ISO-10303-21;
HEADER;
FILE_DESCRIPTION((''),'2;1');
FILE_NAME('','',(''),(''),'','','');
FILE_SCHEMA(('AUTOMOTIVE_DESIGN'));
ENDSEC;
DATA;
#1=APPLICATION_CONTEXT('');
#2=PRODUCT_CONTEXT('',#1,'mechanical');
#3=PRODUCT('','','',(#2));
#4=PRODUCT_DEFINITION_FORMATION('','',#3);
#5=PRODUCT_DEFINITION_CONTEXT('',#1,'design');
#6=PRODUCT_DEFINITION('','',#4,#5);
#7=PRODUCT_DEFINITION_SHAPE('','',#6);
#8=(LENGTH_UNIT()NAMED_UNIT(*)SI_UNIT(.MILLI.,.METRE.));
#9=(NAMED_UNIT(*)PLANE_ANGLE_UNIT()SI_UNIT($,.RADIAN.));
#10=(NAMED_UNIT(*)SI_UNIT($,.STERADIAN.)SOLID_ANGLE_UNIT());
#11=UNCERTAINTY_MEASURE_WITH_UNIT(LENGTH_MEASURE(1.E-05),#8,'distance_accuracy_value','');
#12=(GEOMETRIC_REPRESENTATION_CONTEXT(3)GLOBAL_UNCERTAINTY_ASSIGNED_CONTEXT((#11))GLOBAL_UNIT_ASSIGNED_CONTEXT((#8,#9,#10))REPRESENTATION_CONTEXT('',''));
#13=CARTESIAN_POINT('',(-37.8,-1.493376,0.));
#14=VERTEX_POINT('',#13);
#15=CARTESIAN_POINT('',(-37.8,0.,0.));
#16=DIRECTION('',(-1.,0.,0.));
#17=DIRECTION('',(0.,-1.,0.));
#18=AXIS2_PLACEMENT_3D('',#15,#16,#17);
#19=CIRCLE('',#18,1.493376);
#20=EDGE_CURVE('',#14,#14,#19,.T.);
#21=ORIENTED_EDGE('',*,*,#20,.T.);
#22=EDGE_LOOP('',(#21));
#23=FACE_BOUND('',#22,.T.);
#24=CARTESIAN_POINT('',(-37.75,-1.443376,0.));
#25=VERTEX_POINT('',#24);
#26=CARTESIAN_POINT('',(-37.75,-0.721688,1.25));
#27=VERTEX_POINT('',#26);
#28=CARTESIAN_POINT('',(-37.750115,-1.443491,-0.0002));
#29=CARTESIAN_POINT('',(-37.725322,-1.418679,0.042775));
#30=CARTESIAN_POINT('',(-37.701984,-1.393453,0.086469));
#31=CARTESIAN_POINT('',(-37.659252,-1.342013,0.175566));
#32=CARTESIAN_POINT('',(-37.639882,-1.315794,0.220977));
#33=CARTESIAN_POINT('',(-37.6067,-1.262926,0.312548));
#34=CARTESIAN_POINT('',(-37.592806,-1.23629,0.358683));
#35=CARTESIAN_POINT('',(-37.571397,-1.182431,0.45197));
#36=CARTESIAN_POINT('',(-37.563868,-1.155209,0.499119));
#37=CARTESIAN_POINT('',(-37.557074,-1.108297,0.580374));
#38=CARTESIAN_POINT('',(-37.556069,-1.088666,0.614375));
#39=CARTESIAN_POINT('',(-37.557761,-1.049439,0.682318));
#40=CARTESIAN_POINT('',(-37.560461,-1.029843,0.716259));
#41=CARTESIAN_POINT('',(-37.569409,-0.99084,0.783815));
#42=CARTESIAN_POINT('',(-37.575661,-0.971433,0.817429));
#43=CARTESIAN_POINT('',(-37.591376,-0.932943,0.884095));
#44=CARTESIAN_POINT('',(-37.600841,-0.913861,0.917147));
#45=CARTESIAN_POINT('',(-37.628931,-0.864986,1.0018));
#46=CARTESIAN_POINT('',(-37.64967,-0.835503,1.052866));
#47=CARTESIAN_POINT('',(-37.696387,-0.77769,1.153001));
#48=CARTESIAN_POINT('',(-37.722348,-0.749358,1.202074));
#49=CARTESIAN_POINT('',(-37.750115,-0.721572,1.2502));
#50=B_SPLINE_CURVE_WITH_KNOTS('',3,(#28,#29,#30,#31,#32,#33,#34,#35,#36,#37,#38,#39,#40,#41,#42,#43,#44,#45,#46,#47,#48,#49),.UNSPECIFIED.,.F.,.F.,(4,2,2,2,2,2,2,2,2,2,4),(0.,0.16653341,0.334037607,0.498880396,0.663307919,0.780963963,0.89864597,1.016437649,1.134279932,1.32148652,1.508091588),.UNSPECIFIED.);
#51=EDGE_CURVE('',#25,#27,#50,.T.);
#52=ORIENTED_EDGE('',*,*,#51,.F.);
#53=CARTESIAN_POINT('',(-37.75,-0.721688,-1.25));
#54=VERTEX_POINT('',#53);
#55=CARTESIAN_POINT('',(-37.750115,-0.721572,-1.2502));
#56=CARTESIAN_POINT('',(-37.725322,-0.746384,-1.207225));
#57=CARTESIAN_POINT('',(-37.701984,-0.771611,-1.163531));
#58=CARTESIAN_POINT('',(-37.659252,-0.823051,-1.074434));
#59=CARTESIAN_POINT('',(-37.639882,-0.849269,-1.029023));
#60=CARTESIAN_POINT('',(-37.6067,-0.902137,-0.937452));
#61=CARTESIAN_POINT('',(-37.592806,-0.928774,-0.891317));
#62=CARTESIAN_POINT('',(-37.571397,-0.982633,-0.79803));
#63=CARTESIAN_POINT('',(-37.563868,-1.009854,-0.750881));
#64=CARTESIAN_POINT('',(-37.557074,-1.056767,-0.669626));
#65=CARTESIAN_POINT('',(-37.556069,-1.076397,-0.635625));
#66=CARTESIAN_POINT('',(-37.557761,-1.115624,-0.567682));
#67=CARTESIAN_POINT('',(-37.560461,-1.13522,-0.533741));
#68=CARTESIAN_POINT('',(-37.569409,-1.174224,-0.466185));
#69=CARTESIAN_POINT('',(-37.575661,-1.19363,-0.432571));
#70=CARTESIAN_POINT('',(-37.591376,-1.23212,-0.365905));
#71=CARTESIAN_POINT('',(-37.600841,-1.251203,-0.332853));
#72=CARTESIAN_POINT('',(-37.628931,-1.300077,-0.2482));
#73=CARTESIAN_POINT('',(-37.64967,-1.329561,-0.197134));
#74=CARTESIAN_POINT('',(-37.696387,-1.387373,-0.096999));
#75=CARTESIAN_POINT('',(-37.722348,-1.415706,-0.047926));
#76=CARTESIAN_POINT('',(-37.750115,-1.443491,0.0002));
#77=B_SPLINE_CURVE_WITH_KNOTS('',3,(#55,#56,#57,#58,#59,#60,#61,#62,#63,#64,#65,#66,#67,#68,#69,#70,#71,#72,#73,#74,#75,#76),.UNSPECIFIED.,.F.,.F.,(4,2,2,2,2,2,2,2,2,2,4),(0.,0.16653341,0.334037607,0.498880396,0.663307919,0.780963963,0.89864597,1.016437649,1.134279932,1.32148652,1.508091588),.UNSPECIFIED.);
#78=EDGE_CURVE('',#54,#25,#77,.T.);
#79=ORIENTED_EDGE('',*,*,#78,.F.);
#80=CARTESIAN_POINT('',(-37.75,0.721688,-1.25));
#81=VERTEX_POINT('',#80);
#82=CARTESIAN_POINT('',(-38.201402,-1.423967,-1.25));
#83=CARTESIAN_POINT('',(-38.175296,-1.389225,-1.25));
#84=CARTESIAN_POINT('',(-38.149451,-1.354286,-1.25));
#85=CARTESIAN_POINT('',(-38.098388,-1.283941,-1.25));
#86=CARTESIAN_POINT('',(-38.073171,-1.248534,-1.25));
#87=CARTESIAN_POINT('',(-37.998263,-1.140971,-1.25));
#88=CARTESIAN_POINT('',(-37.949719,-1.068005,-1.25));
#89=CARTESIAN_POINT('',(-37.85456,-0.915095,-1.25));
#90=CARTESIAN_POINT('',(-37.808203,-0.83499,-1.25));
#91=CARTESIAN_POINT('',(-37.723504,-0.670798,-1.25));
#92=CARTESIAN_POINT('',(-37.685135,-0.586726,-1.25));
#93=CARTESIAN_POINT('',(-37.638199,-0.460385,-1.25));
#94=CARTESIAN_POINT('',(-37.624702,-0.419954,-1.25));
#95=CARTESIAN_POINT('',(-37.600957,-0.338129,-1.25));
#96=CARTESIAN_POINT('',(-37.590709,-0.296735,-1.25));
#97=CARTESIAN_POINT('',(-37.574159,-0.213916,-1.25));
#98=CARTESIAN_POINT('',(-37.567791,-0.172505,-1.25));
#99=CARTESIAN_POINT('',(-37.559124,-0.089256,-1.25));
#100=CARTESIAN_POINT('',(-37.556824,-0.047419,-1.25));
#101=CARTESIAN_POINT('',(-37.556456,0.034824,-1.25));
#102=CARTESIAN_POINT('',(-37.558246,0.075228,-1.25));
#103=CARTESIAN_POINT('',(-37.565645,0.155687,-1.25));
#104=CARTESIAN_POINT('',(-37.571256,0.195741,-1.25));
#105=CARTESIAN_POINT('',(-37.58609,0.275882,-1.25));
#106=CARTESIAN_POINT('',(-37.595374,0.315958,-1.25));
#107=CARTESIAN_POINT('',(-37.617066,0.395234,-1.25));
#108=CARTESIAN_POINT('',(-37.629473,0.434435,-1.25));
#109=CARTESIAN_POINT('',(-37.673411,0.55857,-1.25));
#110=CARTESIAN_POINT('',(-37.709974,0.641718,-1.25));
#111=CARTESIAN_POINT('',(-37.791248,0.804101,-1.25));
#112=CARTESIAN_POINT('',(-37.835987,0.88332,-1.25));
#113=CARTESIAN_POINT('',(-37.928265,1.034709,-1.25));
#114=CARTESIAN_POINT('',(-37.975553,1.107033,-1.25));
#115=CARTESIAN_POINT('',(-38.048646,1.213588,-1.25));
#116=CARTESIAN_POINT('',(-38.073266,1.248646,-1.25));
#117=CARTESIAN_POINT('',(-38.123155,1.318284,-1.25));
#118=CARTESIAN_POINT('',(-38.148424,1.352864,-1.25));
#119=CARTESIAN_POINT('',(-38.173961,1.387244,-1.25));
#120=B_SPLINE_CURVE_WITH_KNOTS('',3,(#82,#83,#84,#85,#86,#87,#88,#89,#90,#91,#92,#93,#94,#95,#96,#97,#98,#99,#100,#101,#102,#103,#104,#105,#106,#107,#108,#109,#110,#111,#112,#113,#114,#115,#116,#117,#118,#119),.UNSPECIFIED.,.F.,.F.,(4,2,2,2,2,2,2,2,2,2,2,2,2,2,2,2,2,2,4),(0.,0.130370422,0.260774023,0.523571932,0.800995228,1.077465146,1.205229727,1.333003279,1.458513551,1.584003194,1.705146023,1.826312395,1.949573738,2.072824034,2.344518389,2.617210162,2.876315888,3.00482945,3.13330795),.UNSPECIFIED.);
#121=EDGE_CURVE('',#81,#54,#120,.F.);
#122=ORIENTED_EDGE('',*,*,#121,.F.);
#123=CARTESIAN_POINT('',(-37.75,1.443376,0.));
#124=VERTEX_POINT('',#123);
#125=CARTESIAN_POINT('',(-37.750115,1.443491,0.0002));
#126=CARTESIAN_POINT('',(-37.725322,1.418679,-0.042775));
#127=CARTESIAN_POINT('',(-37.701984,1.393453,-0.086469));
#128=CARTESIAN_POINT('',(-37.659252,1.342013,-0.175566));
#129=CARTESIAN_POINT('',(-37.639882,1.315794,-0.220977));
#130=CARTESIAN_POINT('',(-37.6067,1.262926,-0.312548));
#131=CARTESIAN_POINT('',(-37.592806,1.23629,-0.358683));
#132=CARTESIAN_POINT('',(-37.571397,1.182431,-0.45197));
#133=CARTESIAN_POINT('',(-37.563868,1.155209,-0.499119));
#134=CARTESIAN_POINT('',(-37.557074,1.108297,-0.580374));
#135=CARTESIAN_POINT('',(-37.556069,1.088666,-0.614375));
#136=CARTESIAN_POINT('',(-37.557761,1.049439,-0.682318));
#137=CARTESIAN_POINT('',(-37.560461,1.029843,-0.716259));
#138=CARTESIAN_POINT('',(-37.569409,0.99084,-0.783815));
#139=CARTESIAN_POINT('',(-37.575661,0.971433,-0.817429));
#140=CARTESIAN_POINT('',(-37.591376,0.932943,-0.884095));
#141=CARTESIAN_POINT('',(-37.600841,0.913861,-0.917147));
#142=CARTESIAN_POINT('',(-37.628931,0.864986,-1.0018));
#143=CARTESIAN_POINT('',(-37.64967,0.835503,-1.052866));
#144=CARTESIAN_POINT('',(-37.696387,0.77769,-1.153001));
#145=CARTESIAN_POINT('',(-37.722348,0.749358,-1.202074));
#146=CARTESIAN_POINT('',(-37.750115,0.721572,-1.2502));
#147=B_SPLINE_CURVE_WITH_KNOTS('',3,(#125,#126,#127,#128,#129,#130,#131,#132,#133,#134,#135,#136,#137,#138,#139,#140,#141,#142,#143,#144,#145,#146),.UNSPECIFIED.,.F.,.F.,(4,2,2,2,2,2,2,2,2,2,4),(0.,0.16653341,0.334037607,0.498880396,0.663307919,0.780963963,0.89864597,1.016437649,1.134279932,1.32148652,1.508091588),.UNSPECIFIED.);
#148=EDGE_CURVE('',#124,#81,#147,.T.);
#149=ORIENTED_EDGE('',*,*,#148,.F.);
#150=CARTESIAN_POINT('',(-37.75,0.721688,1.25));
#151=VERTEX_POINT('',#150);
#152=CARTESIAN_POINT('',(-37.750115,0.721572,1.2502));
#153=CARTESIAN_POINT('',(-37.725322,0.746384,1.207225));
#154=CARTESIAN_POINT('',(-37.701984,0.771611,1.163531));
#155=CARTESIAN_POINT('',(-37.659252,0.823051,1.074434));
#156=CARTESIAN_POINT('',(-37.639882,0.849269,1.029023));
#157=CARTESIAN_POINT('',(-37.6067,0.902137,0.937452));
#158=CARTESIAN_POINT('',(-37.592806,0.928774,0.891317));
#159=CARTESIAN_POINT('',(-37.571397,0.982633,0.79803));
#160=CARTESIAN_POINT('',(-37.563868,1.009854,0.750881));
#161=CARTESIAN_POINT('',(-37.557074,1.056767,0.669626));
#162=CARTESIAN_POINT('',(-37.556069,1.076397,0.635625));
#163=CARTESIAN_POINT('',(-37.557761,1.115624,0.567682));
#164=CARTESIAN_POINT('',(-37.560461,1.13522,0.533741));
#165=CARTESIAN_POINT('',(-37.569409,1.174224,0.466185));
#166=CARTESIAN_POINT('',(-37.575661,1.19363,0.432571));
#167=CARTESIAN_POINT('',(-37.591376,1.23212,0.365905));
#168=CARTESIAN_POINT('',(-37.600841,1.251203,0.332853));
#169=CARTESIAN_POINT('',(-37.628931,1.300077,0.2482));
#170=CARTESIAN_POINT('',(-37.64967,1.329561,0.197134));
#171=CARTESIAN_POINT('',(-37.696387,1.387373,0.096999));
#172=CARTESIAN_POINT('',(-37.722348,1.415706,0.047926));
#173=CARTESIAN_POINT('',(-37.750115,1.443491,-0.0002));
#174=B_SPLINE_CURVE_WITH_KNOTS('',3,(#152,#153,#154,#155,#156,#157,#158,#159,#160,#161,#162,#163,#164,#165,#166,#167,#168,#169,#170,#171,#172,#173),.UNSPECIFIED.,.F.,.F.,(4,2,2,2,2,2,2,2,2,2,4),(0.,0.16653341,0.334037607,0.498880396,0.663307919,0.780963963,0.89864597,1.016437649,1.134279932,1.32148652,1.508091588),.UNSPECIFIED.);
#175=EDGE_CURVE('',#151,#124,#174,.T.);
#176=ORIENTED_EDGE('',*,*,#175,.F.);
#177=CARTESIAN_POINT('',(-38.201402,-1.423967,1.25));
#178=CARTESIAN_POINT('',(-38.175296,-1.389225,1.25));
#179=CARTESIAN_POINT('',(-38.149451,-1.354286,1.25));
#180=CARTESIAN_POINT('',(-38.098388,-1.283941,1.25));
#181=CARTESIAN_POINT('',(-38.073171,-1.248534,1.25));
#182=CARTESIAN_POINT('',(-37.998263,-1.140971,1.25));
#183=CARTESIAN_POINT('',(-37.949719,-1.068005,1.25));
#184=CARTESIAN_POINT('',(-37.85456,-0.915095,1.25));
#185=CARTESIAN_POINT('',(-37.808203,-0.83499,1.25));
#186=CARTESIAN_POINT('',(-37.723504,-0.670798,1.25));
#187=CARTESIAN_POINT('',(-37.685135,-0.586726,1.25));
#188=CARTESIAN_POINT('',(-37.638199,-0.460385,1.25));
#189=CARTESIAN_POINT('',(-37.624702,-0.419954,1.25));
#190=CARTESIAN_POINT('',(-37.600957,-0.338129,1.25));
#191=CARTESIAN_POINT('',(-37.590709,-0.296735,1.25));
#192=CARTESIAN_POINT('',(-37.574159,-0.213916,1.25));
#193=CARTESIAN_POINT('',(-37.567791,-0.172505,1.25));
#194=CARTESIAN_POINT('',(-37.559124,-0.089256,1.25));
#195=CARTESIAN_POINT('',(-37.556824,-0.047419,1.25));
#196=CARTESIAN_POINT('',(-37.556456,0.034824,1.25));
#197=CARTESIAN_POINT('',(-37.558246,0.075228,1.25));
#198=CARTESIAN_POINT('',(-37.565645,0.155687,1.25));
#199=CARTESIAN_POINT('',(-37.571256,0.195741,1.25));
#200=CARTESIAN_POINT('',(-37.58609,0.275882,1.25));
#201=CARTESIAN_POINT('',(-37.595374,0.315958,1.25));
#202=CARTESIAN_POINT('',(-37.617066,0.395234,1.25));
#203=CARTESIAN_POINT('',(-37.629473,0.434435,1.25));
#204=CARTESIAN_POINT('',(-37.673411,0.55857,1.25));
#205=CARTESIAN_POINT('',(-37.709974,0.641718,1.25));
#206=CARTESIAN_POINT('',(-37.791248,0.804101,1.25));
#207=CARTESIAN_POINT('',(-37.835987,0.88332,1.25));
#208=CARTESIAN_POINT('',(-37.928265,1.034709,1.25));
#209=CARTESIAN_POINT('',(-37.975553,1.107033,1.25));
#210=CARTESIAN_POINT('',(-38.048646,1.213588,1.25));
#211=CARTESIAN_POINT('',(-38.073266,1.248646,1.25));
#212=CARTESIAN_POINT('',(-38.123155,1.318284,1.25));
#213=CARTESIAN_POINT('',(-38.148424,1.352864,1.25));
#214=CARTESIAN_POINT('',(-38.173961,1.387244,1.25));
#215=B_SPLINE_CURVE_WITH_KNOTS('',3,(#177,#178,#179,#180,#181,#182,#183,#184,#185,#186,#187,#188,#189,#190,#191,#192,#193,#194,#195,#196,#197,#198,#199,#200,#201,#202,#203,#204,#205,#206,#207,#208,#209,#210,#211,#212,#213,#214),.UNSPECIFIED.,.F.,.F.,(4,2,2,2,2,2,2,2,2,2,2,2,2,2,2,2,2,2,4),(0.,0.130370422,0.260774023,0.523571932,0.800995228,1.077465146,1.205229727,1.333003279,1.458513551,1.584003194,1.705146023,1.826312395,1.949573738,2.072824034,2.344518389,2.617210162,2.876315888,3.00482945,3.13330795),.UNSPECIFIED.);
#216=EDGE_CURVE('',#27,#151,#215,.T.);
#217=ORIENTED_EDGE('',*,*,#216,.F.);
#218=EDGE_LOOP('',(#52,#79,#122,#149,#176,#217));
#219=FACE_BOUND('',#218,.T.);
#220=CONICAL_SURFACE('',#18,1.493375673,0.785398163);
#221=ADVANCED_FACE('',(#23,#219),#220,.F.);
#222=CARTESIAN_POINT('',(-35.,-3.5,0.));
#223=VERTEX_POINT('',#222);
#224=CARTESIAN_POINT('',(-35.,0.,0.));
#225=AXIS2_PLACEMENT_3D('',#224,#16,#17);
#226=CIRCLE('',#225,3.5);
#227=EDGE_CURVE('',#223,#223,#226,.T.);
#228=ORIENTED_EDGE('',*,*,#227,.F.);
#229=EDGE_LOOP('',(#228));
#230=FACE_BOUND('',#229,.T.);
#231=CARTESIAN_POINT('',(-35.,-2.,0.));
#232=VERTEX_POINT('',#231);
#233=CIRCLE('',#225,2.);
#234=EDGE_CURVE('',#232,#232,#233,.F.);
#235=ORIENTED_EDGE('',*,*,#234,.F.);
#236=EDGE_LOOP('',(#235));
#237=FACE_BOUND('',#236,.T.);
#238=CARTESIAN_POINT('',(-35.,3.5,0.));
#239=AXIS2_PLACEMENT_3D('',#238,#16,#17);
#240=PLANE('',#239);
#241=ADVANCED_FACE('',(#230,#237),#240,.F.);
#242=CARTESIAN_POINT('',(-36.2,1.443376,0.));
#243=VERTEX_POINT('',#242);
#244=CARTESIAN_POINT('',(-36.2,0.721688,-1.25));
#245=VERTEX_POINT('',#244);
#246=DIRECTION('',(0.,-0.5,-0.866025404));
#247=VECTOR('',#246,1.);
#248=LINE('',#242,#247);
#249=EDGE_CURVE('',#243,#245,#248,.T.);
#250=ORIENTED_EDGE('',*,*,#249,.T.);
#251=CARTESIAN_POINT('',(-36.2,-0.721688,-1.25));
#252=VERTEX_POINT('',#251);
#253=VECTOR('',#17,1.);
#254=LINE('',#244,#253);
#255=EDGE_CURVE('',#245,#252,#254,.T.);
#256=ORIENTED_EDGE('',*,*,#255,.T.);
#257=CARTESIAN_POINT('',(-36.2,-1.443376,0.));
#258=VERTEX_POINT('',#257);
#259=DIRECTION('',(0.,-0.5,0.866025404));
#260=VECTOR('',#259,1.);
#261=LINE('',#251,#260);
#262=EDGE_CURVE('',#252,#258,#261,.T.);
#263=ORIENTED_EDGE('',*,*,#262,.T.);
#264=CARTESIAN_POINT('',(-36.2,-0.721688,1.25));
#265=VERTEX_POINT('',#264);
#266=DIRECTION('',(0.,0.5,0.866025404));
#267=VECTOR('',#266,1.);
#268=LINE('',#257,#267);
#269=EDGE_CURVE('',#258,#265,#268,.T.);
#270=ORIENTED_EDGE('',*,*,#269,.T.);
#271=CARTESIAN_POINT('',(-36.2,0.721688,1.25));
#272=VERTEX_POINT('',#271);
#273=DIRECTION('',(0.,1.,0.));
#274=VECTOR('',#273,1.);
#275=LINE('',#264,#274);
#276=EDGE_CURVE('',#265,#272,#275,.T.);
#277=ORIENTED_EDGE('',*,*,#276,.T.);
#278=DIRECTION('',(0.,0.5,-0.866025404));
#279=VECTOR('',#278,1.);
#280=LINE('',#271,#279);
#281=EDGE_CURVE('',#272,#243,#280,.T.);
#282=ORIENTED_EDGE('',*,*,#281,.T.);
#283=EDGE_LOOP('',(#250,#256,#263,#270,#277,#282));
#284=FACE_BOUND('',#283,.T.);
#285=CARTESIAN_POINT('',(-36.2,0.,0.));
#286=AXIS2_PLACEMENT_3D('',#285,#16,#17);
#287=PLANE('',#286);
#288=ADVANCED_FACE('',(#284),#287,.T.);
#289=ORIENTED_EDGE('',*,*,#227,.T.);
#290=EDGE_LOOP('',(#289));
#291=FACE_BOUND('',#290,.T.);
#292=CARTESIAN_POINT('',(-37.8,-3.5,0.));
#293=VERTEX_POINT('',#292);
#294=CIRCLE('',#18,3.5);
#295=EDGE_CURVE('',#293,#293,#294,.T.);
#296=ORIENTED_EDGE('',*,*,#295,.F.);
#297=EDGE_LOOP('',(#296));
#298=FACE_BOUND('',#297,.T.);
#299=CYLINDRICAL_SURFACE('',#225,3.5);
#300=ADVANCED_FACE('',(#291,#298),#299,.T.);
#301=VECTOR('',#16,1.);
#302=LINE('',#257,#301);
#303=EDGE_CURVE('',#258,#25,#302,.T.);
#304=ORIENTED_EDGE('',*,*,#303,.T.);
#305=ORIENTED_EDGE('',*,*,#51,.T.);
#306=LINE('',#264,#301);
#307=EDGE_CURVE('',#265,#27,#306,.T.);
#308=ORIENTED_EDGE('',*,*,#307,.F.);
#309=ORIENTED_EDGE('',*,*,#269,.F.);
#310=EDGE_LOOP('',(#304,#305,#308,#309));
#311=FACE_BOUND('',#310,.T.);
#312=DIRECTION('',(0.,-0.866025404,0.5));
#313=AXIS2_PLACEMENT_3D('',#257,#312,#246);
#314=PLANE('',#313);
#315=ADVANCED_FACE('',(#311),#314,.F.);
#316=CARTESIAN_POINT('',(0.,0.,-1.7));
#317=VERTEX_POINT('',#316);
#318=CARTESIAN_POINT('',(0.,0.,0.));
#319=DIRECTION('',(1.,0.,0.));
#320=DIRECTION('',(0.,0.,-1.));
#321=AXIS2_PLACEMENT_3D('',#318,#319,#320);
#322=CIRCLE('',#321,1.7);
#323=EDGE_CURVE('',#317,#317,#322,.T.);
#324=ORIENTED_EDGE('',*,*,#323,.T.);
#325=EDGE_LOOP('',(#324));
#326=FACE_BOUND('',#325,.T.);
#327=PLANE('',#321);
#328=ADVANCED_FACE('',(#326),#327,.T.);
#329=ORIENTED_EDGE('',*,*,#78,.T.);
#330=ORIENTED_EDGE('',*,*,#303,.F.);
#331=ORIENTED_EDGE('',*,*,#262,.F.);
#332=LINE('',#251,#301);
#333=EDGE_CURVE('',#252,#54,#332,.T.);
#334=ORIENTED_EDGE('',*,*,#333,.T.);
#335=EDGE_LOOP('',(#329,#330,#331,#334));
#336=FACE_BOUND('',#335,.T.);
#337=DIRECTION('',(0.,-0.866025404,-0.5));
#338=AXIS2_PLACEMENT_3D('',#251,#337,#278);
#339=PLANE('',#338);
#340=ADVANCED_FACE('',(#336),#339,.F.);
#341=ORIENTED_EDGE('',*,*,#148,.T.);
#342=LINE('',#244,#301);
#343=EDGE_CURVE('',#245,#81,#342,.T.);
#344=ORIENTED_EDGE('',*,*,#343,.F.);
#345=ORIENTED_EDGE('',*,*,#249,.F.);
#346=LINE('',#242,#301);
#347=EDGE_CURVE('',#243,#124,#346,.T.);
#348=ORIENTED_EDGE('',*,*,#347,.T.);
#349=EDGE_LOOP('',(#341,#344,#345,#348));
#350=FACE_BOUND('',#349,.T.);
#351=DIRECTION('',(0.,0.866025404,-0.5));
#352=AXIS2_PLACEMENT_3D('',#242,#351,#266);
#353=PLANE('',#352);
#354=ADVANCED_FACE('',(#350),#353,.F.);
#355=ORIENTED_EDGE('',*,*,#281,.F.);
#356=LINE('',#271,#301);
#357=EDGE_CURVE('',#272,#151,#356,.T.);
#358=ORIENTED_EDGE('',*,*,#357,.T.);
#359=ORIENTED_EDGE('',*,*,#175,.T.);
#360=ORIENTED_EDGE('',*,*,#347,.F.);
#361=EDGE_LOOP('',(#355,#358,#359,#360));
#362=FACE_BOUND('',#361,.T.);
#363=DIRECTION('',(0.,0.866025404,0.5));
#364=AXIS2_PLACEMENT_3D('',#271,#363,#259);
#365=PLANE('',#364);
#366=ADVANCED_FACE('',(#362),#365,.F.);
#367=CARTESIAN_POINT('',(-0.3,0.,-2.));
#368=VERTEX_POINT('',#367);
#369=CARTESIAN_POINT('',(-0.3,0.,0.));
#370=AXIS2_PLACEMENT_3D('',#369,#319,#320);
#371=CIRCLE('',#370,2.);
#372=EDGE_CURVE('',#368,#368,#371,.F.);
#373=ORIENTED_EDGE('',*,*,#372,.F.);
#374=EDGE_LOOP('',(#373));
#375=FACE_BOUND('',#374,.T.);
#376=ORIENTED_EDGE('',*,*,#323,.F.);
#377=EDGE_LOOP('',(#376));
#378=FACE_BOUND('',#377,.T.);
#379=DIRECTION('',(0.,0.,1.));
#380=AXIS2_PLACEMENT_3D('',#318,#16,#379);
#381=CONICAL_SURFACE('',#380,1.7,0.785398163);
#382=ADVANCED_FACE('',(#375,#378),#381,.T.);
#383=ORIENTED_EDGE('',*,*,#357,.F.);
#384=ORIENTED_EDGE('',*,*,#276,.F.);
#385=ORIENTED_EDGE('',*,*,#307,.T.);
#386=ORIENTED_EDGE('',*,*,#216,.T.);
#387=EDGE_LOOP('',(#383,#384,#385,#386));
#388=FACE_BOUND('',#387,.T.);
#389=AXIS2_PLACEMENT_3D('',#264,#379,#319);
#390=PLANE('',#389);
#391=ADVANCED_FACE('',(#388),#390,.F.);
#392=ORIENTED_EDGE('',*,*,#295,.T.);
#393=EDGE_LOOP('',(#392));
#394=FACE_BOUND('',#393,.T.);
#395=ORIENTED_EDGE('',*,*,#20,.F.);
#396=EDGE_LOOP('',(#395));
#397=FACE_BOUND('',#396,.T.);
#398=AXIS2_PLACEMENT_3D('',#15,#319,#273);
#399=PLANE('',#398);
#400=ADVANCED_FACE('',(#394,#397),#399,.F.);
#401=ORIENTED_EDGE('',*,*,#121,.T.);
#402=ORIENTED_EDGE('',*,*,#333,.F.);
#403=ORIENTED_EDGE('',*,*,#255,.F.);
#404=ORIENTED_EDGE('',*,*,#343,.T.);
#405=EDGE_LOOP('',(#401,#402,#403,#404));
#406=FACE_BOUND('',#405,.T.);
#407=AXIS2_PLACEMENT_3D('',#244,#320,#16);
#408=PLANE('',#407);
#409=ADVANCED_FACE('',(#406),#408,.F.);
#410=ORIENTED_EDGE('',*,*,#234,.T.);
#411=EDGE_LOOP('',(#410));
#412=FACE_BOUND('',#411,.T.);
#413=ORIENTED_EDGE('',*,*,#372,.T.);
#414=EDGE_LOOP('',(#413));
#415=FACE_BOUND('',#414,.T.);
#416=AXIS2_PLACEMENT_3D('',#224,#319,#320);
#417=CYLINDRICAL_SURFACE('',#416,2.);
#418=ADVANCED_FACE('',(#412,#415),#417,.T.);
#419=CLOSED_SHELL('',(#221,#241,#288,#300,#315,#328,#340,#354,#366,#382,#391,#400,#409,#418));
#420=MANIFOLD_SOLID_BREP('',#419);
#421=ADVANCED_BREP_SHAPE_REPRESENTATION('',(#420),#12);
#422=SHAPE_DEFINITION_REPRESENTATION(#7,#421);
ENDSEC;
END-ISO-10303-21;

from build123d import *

# Parameters (mm, degrees)
SKETCH2_R           = 2
BOSS_EXTRUDE1_DEPTH = 35
CHAMFER1_SIZE       = 0.3
SKETCH6_W           = 2.8
SKETCH6_H           = 3.5
CUT_EXTRUDE1_DEPTH  = 1.6
SKETCH8_R           = 1.493375673
CUT_EXTRUDE2_DEPTH  = 1
CUT_EXTRUDE2_TAPER  = 45


with BuildPart() as part:
    # Sketch2 → Boss-Extrude1 (new body)
    with BuildSketch(Plane(origin=(0, 0, 0), x_dir=(0, 0, -1), z_dir=(1, 0, 0))):
        Circle(SKETCH2_R)
    extrude(amount=-BOSS_EXTRUDE1_DEPTH)

    # Chamfer1
    chamfer1_edges = [part.edges().sort_by_distance(p)[0] for p in [
        (0, 0, 2),
    ]]
    chamfer(chamfer1_edges, length=CHAMFER1_SIZE)

    # Sketch6 → Revolve1 (revolve)
    with BuildSketch(Plane.XY):
        with Locations((-36.4, 1.75)):
            Rectangle(SKETCH6_W, SKETCH6_H)
    revolve(axis=Axis((-35, 0, 0), (1, 0, 0)))

    # Sketch7 → Cut-Extrude1 (cut)
    with BuildSketch(Plane.ZY.offset(37.8)):
        Polygon((0, 1.443375673), (-1.25, 0.721687836), (-1.25, -0.721687836), (0, -1.443375673), (1.25, -0.721687836), (1.25, 0.721687836), align=None)
    extrude(amount=-CUT_EXTRUDE1_DEPTH, mode=Mode.SUBTRACT)

    # Sketch8 → Cut-Extrude2 (cut)
    with BuildSketch(Plane.ZY.offset(37.8)):
        Circle(SKETCH8_R)
    extrude(amount=-CUT_EXTRUDE2_DEPTH, taper=CUT_EXTRUDE2_TAPER, mode=Mode.SUBTRACT)


solid = part.part
